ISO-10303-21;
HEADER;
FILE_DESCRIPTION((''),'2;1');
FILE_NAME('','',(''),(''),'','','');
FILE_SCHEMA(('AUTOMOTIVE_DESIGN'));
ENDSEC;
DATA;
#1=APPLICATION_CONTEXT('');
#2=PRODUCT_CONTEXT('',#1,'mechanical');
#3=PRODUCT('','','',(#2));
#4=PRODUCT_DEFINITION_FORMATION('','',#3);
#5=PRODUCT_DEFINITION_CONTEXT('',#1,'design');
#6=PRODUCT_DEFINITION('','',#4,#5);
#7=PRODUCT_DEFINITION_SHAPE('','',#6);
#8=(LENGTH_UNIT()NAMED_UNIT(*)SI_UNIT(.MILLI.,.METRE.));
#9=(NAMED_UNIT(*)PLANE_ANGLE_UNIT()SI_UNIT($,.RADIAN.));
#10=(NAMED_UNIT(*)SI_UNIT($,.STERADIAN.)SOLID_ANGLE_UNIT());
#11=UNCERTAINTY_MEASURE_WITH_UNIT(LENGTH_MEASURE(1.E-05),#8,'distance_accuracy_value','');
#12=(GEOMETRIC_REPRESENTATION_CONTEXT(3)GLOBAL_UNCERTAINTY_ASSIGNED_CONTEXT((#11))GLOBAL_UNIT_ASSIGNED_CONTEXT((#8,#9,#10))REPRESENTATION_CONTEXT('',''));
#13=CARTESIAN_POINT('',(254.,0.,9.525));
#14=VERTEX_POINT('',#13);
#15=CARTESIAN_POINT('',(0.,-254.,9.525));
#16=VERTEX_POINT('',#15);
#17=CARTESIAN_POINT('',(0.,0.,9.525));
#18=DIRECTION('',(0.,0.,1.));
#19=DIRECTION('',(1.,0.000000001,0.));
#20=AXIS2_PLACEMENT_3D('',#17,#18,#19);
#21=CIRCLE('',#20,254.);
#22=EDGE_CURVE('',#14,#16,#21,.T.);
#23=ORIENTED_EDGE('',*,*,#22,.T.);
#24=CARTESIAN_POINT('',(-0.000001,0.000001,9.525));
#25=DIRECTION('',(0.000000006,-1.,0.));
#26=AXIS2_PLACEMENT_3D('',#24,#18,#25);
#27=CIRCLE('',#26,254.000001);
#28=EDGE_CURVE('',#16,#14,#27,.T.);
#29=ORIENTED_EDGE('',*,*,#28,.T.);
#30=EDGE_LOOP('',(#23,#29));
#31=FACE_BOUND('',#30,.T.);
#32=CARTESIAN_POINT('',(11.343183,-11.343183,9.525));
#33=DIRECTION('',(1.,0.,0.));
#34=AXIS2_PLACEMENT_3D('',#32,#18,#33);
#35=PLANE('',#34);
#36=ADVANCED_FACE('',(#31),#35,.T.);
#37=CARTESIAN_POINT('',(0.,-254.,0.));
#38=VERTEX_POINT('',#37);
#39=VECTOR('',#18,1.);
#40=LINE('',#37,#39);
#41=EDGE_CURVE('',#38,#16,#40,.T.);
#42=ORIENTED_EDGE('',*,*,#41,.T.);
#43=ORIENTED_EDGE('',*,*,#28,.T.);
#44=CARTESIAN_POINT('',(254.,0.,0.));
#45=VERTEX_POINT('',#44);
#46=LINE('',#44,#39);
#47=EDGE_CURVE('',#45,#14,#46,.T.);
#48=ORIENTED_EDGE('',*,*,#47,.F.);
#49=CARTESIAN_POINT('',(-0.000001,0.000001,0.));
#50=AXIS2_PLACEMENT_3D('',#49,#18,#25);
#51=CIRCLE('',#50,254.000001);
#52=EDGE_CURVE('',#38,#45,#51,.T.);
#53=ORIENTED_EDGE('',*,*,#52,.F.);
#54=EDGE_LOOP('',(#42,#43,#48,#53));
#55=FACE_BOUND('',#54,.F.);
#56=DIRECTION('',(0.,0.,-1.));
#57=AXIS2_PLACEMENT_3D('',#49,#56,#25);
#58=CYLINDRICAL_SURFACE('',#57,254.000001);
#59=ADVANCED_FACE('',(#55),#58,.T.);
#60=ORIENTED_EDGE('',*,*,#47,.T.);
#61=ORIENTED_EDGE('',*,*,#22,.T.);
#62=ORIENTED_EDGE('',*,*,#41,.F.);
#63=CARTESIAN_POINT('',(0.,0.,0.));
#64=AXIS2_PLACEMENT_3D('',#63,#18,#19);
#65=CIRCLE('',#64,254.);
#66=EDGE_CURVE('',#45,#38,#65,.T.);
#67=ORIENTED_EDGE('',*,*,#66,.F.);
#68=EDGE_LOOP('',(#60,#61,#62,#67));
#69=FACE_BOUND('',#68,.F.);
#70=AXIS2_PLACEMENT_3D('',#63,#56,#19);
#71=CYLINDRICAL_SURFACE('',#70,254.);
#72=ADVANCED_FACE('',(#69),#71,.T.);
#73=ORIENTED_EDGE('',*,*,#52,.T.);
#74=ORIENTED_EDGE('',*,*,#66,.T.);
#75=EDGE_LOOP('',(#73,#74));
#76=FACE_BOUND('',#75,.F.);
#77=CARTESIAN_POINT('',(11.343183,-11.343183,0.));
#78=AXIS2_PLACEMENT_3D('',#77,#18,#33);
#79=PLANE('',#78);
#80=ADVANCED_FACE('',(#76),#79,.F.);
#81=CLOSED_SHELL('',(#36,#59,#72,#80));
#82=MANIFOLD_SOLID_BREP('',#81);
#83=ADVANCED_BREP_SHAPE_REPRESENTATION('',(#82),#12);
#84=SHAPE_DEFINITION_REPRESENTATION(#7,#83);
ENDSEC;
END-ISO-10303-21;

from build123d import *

# Parameters (mm, degrees)
F1_DEPTH = 9.525


with BuildPart() as f1:
    # F0 (on Top) → F1 (new body)
    with BuildSketch(Plane.XY):
        with BuildLine():
            ThreePointArc((0, -254), (179.605122, -179.605122), (254, 0))
            ThreePointArc((254, 0), (-179.605122, 179.605122), (0, -254))
        make_face()
    extrude(amount=F1_DEPTH)


solid = f1.part
